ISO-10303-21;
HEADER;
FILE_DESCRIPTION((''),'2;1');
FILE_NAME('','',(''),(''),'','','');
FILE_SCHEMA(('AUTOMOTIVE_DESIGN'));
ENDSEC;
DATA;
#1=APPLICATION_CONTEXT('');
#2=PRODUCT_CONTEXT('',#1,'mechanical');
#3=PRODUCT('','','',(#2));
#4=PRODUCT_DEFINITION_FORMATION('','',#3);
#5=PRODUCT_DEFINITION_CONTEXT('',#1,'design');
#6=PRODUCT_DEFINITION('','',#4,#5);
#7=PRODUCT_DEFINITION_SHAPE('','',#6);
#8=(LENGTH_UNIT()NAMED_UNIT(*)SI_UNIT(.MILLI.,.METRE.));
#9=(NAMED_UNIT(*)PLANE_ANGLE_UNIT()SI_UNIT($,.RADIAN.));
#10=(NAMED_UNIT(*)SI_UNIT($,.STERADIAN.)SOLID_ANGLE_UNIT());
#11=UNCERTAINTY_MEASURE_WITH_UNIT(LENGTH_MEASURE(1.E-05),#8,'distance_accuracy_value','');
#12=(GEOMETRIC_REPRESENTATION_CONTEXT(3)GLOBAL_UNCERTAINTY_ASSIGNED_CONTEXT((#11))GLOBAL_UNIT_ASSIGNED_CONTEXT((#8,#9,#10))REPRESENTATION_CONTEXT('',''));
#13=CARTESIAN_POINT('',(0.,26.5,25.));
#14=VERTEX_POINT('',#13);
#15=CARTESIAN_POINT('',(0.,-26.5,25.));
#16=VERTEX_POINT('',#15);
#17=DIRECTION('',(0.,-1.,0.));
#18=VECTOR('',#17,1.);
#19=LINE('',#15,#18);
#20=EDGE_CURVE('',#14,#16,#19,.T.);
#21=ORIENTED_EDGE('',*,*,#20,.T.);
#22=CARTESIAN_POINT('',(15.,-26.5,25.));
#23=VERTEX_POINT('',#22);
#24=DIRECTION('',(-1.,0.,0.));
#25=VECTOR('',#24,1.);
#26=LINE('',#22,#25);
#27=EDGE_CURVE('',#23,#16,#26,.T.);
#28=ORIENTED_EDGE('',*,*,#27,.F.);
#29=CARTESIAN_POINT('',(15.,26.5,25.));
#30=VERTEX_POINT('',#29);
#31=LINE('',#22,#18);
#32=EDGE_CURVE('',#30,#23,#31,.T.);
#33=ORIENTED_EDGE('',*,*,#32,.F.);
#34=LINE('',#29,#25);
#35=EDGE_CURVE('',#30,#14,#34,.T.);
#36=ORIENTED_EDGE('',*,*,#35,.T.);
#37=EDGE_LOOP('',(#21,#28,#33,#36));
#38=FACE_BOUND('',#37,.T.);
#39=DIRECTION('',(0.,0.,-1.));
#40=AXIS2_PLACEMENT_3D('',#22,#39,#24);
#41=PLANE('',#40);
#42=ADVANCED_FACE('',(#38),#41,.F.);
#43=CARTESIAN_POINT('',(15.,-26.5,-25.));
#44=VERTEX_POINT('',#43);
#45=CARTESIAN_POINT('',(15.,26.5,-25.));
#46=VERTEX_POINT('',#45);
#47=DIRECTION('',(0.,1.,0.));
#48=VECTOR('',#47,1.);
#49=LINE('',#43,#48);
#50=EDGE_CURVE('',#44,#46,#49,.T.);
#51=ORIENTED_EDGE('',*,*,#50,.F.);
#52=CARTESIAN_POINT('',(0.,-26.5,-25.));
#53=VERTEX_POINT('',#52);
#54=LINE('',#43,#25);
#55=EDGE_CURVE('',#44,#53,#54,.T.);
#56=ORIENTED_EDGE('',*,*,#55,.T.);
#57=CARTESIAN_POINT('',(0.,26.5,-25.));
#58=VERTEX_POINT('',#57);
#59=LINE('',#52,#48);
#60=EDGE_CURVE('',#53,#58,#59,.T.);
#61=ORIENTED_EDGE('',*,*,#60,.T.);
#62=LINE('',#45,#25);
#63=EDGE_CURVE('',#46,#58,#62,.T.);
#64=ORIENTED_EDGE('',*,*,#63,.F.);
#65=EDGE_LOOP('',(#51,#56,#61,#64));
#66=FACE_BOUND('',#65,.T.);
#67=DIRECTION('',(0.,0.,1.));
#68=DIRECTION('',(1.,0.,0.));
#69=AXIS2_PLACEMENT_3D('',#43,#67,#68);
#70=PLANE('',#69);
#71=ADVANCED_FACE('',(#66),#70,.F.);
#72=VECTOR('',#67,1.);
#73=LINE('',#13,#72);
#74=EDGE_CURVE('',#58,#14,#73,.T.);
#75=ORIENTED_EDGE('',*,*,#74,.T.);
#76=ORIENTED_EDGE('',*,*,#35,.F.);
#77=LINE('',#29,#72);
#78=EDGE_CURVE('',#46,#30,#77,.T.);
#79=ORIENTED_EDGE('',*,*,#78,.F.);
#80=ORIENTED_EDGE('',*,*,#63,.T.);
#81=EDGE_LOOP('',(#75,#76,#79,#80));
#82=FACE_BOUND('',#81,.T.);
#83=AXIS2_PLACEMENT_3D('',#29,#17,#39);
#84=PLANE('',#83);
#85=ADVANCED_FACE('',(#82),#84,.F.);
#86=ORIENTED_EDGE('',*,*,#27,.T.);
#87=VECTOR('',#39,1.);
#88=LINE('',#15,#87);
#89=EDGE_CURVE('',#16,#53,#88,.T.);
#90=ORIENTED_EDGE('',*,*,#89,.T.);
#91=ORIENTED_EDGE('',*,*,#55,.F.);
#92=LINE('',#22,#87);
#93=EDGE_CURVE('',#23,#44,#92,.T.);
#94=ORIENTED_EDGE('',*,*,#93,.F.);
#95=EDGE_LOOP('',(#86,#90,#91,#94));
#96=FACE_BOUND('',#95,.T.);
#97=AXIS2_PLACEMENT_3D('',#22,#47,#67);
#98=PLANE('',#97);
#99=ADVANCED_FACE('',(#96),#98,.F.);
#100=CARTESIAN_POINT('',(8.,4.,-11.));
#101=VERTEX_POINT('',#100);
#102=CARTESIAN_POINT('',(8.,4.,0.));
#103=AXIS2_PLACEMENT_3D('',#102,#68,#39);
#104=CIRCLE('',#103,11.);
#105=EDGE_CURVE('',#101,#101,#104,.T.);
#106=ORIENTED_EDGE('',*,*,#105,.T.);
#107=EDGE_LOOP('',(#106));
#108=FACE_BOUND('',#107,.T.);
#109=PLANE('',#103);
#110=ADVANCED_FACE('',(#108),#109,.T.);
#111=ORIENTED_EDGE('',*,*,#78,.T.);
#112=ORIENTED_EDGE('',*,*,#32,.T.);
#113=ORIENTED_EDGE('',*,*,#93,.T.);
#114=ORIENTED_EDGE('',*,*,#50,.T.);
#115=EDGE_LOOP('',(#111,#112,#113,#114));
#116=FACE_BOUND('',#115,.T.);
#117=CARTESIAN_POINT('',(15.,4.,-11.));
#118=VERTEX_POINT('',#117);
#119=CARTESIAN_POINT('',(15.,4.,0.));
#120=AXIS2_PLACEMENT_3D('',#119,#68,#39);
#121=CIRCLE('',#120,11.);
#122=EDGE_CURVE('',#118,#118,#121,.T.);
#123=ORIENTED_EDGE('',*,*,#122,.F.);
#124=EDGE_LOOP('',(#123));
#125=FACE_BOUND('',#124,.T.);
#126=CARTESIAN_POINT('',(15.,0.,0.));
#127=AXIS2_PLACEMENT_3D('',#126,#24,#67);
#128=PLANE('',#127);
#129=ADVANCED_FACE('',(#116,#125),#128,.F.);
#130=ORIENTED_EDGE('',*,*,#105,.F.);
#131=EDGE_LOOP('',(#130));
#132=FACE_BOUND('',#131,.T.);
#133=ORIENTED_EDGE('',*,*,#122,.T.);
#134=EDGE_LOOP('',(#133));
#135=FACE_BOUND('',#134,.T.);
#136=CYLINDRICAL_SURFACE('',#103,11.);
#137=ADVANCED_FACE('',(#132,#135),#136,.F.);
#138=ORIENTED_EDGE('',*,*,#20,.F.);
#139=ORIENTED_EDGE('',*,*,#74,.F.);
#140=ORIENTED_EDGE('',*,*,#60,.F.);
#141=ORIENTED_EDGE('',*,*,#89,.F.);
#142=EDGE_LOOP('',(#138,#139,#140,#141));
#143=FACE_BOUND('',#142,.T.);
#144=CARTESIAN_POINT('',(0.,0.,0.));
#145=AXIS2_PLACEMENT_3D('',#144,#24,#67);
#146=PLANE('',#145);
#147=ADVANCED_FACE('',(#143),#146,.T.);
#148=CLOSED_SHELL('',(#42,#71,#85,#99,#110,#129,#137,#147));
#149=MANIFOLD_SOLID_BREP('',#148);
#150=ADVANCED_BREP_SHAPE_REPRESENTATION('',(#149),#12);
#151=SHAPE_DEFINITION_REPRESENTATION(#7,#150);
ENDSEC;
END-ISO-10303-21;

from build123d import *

# Parameters (mm, degrees)
CROQUIS1_W              = 50
CROQUIS1_H              = 53
SALIENTE_EXTRUIR1_DEPTH = 15
CROQUIS2_R              = 11
CORTAR_EXTRUIR1_DEPTH   = 7


with BuildPart() as part:
    # Croquis1 → Saliente-Extruir1 (new body)
    with BuildSketch(Plane(origin=(0, 0, 0), x_dir=(0, 0, -1), z_dir=(1, 0, 0))):
        Rectangle(CROQUIS1_W, CROQUIS1_H)
    extrude(amount=SALIENTE_EXTRUIR1_DEPTH)

    # Croquis2 → Cortar-Extruir1 (cut)
    with BuildSketch(Plane(origin=(15, 0, 0), x_dir=(0, 0, -1), z_dir=(1, 0, 0))):
        with Locations((0, 4)):
            Circle(CROQUIS2_R)
    extrude(amount=-CORTAR_EXTRUIR1_DEPTH, mode=Mode.SUBTRACT)


solid = part.part
